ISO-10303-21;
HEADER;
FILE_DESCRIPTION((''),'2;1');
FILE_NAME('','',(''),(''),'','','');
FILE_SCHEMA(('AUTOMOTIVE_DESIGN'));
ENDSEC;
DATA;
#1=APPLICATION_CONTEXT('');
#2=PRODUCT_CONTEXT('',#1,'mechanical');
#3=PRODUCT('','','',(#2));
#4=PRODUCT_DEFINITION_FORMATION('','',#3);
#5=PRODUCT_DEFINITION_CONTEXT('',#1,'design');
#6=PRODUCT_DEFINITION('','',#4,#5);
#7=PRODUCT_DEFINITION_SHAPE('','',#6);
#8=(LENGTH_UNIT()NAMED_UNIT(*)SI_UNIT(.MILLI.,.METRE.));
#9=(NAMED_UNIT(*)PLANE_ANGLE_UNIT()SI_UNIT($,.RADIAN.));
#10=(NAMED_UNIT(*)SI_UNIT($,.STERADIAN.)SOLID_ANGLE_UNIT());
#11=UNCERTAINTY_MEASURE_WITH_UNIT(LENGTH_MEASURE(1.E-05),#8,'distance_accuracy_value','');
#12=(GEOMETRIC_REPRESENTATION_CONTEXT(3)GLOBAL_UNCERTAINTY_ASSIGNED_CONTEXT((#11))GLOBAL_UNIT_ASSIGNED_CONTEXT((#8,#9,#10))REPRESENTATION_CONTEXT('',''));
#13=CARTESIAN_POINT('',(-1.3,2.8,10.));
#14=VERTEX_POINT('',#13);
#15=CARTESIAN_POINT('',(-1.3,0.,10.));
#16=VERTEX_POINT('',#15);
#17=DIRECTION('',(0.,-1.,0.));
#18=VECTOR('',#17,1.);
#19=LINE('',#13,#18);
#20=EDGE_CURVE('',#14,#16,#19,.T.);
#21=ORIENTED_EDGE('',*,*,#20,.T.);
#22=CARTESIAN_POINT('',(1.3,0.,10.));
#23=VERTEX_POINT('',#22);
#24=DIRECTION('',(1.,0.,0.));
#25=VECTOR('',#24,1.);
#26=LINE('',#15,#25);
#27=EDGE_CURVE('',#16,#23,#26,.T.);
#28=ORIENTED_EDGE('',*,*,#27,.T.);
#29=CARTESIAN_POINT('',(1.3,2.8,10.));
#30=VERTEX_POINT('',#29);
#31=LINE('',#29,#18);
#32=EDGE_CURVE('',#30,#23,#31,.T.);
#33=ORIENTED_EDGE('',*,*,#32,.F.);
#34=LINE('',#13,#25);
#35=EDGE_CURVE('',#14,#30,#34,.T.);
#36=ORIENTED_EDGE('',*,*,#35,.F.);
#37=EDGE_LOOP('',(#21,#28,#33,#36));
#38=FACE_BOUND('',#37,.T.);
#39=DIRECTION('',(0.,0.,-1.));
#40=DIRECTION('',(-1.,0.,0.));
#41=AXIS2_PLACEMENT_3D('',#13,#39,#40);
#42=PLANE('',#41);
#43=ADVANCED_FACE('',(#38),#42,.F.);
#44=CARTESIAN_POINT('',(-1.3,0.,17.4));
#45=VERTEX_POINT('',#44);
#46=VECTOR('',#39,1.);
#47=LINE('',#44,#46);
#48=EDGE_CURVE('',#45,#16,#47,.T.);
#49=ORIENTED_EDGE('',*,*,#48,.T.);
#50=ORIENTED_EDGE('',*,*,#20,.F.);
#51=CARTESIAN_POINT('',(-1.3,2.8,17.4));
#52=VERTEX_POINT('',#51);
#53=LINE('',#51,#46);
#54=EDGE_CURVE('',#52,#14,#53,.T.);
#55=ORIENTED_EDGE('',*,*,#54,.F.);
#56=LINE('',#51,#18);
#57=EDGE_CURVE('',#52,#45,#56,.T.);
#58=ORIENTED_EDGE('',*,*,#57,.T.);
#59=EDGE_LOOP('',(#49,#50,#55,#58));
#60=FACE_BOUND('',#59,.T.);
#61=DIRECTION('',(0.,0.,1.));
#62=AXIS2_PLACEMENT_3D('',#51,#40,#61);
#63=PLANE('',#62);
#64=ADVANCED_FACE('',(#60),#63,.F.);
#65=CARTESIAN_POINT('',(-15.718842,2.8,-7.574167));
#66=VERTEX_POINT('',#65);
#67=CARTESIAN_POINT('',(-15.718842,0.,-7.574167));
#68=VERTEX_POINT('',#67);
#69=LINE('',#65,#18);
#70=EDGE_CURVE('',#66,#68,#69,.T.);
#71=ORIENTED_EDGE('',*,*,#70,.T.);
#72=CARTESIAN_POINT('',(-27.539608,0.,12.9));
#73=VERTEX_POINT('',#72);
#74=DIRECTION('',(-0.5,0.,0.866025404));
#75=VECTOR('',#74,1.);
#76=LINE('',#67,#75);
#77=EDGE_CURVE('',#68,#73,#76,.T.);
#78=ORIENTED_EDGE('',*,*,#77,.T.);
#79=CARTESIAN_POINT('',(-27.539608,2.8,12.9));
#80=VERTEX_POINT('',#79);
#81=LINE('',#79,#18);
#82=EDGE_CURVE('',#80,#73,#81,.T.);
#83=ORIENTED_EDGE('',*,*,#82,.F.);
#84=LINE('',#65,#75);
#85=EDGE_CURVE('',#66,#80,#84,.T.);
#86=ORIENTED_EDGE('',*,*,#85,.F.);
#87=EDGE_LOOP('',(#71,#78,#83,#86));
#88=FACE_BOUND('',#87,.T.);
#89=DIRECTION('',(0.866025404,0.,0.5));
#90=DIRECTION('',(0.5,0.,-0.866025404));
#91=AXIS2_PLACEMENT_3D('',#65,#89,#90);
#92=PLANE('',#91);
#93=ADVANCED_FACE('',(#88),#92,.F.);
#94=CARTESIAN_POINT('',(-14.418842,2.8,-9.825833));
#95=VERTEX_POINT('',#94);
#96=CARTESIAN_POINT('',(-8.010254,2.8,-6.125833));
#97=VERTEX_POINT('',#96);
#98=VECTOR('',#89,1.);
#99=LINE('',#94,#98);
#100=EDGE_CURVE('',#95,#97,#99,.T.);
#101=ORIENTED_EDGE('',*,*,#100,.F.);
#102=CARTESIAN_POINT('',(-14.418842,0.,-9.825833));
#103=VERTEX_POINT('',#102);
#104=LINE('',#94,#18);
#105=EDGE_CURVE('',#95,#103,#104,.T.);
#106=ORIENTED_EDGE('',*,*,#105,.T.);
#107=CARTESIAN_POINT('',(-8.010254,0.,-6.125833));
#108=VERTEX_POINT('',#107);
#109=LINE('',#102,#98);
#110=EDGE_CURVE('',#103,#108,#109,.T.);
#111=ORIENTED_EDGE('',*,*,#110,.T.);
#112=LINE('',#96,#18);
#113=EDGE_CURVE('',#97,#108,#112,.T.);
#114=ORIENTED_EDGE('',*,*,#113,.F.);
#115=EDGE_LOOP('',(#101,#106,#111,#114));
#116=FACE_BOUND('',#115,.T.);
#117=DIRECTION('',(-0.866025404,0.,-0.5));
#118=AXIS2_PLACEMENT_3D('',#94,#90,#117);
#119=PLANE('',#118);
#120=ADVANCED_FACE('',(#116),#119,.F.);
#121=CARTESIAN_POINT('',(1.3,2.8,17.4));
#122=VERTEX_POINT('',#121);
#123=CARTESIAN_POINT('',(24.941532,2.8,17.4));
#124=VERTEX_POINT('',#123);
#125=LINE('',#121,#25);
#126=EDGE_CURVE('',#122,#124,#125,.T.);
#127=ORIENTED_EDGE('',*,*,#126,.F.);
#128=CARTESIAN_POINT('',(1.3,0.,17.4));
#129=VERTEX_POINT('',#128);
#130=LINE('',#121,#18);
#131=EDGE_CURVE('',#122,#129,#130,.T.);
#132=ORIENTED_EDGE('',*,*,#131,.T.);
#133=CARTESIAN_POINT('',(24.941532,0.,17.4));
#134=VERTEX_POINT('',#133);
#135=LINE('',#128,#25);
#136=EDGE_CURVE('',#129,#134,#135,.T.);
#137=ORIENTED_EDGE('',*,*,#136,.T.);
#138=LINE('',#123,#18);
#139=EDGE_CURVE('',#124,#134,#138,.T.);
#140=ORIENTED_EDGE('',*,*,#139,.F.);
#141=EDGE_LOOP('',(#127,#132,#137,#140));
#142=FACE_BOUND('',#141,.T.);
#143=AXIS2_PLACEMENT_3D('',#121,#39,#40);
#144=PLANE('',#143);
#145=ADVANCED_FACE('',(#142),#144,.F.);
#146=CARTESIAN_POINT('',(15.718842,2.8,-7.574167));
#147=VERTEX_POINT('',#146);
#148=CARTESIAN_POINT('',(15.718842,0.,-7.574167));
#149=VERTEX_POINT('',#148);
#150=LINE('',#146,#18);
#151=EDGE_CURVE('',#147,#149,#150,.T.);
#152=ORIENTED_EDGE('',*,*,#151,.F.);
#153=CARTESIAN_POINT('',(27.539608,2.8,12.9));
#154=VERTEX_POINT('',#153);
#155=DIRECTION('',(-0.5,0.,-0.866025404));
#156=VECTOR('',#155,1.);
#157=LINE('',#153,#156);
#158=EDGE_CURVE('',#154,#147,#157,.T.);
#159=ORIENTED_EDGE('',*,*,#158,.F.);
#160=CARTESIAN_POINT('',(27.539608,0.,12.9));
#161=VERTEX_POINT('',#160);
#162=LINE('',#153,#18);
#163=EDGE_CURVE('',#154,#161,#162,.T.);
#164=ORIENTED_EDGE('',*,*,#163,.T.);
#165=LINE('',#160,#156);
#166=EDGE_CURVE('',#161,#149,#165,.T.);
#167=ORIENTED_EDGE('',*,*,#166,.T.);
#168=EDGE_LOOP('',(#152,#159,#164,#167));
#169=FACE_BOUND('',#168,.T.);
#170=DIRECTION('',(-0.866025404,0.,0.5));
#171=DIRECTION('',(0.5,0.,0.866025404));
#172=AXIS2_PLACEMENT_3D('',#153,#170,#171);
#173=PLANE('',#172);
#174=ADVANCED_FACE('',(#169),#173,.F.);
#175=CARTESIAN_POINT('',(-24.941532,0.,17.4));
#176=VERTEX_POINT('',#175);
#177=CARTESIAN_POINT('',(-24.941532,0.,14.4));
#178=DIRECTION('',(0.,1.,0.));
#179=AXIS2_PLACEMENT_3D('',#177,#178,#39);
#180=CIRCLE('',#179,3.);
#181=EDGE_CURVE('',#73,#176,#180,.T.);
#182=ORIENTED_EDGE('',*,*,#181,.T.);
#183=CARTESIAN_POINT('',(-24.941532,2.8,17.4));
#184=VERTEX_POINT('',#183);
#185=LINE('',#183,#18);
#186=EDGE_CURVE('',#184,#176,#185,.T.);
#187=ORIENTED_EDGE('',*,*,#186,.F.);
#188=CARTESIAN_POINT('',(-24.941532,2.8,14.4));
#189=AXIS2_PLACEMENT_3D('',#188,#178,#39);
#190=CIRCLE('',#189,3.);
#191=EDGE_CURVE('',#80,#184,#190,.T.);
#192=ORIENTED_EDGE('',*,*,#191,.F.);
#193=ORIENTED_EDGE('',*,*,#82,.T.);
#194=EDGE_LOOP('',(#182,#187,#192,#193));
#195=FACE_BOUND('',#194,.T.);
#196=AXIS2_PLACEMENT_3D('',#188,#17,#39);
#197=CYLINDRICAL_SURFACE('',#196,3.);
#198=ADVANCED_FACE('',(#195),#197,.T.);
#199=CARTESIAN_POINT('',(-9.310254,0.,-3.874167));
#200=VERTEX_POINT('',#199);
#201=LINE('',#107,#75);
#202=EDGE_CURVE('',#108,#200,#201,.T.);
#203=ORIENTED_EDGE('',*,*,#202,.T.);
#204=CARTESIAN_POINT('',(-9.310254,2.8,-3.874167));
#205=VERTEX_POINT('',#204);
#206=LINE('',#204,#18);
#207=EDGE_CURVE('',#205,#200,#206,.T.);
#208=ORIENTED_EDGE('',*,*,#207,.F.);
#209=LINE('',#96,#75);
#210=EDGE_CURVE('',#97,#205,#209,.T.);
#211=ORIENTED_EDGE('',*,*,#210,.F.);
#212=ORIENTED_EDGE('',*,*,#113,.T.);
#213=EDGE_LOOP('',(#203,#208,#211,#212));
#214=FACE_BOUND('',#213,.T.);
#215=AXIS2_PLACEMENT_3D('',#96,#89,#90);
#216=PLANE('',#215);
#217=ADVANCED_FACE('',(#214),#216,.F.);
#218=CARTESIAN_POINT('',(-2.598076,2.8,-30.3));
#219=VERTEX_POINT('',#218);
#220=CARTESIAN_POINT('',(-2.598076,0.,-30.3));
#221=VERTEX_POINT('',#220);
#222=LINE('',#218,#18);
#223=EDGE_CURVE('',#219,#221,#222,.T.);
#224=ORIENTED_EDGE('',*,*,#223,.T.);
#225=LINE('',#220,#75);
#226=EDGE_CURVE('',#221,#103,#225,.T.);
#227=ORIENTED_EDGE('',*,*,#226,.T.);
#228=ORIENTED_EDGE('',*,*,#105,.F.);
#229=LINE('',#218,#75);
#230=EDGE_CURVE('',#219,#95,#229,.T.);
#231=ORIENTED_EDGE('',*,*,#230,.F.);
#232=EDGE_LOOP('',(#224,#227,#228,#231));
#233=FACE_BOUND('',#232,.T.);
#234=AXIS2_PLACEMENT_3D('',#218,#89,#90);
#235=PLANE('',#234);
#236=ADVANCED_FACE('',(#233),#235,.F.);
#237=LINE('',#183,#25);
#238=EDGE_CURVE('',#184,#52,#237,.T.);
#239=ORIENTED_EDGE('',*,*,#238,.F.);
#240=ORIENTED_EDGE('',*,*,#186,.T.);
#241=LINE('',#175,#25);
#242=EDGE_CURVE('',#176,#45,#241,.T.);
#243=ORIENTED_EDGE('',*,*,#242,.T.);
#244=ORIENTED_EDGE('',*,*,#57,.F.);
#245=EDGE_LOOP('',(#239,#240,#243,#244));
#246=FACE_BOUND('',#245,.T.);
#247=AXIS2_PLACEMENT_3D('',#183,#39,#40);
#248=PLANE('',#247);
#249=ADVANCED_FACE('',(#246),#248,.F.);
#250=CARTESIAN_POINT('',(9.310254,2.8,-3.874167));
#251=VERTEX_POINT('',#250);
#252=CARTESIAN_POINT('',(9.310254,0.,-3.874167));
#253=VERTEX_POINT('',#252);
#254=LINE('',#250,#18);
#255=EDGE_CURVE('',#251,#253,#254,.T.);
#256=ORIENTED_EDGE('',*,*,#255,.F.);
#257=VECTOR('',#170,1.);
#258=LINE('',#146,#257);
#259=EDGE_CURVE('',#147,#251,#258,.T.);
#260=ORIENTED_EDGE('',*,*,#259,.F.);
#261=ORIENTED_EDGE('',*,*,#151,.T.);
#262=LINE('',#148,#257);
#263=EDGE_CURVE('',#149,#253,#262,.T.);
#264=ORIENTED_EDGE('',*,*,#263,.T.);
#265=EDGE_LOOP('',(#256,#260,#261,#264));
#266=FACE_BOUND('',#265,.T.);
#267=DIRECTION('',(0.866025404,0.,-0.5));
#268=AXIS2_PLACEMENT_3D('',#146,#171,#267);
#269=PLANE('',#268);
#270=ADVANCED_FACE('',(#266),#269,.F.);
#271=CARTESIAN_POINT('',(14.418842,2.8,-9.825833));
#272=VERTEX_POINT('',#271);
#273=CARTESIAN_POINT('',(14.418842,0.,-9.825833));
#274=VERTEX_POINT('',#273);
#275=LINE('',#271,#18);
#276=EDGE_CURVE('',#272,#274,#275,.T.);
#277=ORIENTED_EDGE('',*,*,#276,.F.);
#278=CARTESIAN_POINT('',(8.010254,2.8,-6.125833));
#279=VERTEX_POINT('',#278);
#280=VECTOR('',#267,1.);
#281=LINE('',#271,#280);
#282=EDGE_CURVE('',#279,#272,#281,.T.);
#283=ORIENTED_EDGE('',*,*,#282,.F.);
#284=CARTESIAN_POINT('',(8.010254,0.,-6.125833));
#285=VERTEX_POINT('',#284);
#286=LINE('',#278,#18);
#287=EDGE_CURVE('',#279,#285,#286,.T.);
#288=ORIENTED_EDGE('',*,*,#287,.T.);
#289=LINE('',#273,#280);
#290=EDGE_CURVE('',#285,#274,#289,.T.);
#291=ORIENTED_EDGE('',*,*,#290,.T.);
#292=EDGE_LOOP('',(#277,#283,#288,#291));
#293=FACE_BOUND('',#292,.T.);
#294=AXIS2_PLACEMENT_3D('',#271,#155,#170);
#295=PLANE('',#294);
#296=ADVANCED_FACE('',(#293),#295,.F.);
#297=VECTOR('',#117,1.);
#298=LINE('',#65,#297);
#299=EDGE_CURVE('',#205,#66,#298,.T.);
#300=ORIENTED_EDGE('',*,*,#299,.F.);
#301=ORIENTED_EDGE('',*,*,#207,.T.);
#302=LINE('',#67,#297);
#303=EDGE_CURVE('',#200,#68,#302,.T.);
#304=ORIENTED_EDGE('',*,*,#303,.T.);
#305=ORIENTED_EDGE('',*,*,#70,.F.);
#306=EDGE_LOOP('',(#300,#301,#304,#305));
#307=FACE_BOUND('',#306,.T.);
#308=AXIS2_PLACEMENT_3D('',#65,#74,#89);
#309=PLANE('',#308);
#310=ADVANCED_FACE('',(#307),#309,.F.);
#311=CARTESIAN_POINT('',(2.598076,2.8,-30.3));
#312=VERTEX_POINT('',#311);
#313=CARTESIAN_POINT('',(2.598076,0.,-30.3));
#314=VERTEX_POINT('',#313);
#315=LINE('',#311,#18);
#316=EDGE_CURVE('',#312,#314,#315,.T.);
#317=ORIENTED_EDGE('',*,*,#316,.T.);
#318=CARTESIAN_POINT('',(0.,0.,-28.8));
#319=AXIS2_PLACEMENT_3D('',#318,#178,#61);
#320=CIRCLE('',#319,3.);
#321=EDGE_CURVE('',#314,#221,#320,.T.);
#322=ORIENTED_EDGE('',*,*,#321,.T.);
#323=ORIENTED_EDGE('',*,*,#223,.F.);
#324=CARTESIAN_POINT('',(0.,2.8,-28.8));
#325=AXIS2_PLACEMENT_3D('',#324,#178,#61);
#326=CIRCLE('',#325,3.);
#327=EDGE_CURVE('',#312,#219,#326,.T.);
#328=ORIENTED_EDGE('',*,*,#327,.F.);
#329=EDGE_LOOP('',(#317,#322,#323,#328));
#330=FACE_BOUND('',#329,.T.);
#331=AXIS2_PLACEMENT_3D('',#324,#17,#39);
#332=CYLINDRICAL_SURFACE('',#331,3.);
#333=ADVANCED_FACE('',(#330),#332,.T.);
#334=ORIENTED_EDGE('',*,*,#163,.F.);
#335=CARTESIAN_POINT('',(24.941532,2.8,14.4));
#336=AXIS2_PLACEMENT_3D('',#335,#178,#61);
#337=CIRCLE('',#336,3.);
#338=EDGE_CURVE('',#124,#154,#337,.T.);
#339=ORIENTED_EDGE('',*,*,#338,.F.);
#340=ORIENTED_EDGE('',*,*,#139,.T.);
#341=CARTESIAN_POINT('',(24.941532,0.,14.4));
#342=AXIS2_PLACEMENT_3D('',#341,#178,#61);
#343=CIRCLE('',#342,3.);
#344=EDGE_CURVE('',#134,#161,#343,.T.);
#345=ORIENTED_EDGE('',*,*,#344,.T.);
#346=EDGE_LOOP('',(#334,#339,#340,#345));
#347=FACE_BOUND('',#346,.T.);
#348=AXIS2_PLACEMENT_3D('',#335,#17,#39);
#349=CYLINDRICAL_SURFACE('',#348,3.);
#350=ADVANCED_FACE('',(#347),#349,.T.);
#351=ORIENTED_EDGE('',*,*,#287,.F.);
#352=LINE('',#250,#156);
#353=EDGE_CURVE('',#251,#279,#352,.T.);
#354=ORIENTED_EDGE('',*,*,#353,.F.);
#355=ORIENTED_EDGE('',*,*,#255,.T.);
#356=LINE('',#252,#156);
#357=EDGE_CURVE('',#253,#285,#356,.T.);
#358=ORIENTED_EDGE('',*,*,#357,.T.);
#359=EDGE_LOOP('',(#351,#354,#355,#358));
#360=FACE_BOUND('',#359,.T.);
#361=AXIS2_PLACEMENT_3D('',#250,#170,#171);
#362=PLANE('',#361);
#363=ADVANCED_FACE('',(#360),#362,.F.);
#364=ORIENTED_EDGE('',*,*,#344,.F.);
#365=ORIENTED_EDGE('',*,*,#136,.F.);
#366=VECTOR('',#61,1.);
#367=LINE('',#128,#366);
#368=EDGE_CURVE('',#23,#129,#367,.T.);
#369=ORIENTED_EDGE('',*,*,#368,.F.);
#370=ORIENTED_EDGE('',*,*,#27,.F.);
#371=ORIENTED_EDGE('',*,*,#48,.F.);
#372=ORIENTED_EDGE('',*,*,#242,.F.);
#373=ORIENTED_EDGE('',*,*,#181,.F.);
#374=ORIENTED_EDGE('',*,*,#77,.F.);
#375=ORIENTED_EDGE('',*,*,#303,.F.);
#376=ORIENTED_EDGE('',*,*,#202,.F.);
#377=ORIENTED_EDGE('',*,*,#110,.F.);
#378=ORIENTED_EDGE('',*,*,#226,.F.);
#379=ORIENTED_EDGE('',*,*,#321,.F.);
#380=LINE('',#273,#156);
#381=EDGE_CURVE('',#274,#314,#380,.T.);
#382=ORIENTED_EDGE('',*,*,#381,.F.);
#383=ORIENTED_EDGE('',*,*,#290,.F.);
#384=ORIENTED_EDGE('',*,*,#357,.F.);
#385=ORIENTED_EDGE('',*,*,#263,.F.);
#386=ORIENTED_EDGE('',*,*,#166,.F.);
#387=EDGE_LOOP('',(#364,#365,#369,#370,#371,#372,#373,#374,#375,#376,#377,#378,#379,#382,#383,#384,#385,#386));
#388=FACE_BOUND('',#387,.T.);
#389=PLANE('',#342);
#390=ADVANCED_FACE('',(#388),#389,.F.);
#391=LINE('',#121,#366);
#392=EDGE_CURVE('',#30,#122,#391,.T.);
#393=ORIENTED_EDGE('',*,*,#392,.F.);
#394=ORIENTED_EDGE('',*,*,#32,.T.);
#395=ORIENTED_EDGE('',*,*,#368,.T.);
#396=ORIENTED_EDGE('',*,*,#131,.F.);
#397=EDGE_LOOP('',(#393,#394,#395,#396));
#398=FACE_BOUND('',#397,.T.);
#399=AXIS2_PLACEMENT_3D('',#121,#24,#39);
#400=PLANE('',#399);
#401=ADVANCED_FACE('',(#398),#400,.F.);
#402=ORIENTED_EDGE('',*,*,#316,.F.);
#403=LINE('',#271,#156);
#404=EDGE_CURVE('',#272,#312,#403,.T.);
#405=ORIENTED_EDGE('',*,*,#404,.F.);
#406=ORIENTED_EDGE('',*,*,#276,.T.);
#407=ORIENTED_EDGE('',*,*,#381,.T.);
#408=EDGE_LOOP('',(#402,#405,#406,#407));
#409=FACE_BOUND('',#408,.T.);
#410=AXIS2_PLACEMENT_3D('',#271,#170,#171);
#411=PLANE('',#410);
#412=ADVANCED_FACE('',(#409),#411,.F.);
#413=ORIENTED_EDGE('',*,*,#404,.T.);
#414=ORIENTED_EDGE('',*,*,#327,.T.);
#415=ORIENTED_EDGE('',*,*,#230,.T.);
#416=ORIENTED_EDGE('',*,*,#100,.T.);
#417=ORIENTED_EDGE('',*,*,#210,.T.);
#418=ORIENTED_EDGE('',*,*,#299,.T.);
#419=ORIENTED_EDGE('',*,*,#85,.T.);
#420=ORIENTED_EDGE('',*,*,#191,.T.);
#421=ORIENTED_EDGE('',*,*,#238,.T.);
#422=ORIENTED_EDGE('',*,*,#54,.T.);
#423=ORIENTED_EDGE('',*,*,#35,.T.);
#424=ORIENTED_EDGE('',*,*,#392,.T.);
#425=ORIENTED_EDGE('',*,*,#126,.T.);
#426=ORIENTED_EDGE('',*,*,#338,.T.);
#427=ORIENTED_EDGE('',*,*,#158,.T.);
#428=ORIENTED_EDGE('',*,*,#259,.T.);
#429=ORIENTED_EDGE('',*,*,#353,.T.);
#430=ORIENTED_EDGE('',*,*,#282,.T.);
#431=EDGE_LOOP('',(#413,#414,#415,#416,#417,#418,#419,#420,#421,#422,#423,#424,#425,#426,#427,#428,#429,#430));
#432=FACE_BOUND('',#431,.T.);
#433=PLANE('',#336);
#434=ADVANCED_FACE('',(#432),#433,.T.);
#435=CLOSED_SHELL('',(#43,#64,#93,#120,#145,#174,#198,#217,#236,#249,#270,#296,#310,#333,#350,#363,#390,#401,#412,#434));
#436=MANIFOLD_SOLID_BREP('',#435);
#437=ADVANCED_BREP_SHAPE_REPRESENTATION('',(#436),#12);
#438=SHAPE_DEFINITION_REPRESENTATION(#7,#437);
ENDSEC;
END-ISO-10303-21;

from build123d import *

# Parameters (mm, degrees)
BOSS_EXTRUDE1_DEPTH = 2.8


with BuildPart() as part:
    # Sketch1 → Boss-Extrude1 (new body)
    with BuildSketch(Plane(origin=(0, 0, 0), x_dir=(1, 0, 0), z_dir=(0, 1, 0))):
        with BuildLine():
            Line((1.3, -17.4), (24.941531629, -17.4))
            ThreePointArc((24.941531629, -17.4), (27.53960784, -15.9), (27.53960784, -12.9))
            Line((27.53960784, -12.9), (15.718842026, 7.574166975))
            Line((15.718842026, 7.574166975), (9.310254038, 3.874166975))
            Line((9.310254038, 3.874166975), (8.010254038, 6.125833025))
            Line((8.010254038, 6.125833025), (14.418842026, 9.825833025))
            Line((14.418842026, 9.825833025), (2.598076211, 30.3))
            ThreePointArc((2.598076211, 30.3), (0, 31.8), (-2.598076211, 30.3))
            Line((-2.598076211, 30.3), (-14.418842026, 9.825833025))
            Line((-14.418842026, 9.825833025), (-8.010254038, 6.125833025))
            Line((-8.010254038, 6.125833025), (-9.310254038, 3.874166975))
            Line((-9.310254038, 3.874166975), (-15.718842026, 7.574166975))
            Line((-15.718842026, 7.574166975), (-27.53960784, -12.9))
            ThreePointArc((-27.53960784, -12.9), (-27.53960784, -15.9), (-24.941531629, -17.4))
            Line((-24.941531629, -17.4), (-1.3, -17.4))
            Line((-1.3, -17.4), (-1.3, -10))
            Line((-1.3, -10), (1.3, -10))
            Line((1.3, -10), (1.3, -17.4))
        make_face()
    extrude(amount=BOSS_EXTRUDE1_DEPTH)


solid = part.part
